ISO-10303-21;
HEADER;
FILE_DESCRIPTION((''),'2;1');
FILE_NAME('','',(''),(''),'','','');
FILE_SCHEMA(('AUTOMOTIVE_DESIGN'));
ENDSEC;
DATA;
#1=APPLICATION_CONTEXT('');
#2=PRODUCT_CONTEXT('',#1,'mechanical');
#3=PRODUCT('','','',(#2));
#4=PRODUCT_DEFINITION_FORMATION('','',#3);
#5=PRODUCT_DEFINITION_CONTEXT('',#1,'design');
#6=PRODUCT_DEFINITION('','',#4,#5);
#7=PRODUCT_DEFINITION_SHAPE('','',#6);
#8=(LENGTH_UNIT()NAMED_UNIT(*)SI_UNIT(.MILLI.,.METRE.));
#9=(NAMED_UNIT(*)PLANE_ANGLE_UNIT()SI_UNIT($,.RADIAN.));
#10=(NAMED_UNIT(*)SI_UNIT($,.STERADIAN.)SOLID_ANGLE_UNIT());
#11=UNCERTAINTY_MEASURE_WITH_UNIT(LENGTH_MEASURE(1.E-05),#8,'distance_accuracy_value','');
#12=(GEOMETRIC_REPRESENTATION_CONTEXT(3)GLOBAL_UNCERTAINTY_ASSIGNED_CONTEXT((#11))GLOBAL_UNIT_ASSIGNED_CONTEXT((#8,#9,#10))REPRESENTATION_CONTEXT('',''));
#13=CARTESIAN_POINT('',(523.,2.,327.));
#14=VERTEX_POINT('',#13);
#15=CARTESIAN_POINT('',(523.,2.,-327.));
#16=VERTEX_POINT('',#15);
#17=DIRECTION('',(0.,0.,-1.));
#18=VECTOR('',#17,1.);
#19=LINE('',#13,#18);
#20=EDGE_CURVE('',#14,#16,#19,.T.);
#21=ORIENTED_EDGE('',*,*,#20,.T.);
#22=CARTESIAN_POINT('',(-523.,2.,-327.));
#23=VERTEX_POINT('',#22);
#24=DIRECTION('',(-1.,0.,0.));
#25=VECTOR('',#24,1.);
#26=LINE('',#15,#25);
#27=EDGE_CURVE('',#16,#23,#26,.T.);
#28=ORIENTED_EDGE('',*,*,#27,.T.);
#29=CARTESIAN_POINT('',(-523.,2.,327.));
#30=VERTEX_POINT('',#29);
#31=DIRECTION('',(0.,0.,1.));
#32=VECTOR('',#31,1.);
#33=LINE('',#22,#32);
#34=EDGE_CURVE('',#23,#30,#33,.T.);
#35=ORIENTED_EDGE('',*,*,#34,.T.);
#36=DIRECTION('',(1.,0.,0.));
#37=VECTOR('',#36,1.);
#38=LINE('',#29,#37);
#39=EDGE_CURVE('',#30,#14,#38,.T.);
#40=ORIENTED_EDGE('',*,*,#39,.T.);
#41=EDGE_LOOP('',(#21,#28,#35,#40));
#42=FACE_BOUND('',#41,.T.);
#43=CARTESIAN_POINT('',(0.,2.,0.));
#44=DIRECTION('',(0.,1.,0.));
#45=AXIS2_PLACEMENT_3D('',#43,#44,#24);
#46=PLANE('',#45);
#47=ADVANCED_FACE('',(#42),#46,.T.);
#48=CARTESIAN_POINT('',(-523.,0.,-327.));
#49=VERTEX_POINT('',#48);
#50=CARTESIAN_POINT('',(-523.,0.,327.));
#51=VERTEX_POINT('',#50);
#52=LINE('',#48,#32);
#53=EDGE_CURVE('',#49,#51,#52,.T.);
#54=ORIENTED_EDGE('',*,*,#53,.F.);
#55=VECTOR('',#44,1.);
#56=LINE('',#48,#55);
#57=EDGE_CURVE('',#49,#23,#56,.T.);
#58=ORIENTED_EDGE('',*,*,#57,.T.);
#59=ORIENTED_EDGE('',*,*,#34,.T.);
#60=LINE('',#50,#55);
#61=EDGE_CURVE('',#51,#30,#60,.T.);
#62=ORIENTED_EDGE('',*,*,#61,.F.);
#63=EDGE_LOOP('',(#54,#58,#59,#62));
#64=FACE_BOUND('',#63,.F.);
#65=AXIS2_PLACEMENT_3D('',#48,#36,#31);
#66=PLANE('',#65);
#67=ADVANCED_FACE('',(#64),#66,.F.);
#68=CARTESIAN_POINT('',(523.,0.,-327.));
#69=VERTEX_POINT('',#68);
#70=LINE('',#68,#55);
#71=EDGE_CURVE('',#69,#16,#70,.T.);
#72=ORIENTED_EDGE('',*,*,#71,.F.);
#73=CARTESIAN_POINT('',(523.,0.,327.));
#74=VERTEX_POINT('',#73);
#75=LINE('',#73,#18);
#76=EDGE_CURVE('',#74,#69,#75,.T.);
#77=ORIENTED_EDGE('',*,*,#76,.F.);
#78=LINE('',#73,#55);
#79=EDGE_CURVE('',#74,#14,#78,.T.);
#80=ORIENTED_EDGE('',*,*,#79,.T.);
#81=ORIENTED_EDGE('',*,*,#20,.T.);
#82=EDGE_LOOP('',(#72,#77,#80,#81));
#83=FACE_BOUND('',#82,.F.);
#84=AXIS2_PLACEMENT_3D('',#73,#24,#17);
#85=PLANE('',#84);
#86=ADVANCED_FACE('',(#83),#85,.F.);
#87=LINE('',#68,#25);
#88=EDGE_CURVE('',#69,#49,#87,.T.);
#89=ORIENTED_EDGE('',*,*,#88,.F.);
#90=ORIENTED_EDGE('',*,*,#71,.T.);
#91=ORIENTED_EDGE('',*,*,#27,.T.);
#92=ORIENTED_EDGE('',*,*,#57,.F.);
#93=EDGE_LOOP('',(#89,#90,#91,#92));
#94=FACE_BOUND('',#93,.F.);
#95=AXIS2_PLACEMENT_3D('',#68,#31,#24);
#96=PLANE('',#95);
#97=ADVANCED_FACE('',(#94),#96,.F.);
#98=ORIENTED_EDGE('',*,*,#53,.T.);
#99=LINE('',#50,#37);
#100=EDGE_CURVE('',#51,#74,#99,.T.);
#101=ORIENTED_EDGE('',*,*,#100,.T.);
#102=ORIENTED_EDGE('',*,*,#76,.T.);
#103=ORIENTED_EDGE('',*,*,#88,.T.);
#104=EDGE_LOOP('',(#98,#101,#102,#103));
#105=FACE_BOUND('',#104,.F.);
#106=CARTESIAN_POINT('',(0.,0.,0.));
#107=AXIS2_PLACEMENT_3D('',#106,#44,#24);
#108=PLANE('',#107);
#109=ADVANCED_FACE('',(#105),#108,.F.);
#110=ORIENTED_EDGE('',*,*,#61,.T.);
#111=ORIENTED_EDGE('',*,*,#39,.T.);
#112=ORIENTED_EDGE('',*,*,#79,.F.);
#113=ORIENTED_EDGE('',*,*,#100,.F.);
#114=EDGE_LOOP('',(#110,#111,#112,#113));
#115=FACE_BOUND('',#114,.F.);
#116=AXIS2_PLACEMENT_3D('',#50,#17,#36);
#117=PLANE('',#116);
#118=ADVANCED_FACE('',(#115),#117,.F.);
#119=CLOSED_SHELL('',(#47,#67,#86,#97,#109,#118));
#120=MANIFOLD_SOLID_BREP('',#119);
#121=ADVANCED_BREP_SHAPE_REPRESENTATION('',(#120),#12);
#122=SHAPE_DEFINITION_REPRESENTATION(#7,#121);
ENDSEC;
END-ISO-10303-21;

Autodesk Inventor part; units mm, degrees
ref_plane "YZ Plane" through (0, 0, 0) normal (1, 0, 0) x (0, 1, 0)
ref_plane "XZ Plane" through (0, 0, 0) normal (0, 1, 0) x (-1, 0, 0)
ref_plane "XY Plane" through (0, 0, 0) normal (0, 0, 1) x (1, 0, 0)
sketch "Sketch1" plane through (0, 0, 0) normal (0, 1, 0) x (-1, 0, 0)
  line L0 (523, 327) -> (-523, 327)
  line L1 (-523, 327) -> (-523, -327)
  line L2 (-523, -327) -> (523, -327)
  line L3 (523, -327) -> (523, 327)
  line L4 (523, 327) -> (-523, -327) construction
  line L5 (-523, 327) -> (523, -327) construction
  point P0 (0, 0)
  dimension "d0" = 1046
  dimension "d1" = 654
extrude "Extrusion1" add sketch "Sketch1" along normal blind 2
properties part number "glass"
